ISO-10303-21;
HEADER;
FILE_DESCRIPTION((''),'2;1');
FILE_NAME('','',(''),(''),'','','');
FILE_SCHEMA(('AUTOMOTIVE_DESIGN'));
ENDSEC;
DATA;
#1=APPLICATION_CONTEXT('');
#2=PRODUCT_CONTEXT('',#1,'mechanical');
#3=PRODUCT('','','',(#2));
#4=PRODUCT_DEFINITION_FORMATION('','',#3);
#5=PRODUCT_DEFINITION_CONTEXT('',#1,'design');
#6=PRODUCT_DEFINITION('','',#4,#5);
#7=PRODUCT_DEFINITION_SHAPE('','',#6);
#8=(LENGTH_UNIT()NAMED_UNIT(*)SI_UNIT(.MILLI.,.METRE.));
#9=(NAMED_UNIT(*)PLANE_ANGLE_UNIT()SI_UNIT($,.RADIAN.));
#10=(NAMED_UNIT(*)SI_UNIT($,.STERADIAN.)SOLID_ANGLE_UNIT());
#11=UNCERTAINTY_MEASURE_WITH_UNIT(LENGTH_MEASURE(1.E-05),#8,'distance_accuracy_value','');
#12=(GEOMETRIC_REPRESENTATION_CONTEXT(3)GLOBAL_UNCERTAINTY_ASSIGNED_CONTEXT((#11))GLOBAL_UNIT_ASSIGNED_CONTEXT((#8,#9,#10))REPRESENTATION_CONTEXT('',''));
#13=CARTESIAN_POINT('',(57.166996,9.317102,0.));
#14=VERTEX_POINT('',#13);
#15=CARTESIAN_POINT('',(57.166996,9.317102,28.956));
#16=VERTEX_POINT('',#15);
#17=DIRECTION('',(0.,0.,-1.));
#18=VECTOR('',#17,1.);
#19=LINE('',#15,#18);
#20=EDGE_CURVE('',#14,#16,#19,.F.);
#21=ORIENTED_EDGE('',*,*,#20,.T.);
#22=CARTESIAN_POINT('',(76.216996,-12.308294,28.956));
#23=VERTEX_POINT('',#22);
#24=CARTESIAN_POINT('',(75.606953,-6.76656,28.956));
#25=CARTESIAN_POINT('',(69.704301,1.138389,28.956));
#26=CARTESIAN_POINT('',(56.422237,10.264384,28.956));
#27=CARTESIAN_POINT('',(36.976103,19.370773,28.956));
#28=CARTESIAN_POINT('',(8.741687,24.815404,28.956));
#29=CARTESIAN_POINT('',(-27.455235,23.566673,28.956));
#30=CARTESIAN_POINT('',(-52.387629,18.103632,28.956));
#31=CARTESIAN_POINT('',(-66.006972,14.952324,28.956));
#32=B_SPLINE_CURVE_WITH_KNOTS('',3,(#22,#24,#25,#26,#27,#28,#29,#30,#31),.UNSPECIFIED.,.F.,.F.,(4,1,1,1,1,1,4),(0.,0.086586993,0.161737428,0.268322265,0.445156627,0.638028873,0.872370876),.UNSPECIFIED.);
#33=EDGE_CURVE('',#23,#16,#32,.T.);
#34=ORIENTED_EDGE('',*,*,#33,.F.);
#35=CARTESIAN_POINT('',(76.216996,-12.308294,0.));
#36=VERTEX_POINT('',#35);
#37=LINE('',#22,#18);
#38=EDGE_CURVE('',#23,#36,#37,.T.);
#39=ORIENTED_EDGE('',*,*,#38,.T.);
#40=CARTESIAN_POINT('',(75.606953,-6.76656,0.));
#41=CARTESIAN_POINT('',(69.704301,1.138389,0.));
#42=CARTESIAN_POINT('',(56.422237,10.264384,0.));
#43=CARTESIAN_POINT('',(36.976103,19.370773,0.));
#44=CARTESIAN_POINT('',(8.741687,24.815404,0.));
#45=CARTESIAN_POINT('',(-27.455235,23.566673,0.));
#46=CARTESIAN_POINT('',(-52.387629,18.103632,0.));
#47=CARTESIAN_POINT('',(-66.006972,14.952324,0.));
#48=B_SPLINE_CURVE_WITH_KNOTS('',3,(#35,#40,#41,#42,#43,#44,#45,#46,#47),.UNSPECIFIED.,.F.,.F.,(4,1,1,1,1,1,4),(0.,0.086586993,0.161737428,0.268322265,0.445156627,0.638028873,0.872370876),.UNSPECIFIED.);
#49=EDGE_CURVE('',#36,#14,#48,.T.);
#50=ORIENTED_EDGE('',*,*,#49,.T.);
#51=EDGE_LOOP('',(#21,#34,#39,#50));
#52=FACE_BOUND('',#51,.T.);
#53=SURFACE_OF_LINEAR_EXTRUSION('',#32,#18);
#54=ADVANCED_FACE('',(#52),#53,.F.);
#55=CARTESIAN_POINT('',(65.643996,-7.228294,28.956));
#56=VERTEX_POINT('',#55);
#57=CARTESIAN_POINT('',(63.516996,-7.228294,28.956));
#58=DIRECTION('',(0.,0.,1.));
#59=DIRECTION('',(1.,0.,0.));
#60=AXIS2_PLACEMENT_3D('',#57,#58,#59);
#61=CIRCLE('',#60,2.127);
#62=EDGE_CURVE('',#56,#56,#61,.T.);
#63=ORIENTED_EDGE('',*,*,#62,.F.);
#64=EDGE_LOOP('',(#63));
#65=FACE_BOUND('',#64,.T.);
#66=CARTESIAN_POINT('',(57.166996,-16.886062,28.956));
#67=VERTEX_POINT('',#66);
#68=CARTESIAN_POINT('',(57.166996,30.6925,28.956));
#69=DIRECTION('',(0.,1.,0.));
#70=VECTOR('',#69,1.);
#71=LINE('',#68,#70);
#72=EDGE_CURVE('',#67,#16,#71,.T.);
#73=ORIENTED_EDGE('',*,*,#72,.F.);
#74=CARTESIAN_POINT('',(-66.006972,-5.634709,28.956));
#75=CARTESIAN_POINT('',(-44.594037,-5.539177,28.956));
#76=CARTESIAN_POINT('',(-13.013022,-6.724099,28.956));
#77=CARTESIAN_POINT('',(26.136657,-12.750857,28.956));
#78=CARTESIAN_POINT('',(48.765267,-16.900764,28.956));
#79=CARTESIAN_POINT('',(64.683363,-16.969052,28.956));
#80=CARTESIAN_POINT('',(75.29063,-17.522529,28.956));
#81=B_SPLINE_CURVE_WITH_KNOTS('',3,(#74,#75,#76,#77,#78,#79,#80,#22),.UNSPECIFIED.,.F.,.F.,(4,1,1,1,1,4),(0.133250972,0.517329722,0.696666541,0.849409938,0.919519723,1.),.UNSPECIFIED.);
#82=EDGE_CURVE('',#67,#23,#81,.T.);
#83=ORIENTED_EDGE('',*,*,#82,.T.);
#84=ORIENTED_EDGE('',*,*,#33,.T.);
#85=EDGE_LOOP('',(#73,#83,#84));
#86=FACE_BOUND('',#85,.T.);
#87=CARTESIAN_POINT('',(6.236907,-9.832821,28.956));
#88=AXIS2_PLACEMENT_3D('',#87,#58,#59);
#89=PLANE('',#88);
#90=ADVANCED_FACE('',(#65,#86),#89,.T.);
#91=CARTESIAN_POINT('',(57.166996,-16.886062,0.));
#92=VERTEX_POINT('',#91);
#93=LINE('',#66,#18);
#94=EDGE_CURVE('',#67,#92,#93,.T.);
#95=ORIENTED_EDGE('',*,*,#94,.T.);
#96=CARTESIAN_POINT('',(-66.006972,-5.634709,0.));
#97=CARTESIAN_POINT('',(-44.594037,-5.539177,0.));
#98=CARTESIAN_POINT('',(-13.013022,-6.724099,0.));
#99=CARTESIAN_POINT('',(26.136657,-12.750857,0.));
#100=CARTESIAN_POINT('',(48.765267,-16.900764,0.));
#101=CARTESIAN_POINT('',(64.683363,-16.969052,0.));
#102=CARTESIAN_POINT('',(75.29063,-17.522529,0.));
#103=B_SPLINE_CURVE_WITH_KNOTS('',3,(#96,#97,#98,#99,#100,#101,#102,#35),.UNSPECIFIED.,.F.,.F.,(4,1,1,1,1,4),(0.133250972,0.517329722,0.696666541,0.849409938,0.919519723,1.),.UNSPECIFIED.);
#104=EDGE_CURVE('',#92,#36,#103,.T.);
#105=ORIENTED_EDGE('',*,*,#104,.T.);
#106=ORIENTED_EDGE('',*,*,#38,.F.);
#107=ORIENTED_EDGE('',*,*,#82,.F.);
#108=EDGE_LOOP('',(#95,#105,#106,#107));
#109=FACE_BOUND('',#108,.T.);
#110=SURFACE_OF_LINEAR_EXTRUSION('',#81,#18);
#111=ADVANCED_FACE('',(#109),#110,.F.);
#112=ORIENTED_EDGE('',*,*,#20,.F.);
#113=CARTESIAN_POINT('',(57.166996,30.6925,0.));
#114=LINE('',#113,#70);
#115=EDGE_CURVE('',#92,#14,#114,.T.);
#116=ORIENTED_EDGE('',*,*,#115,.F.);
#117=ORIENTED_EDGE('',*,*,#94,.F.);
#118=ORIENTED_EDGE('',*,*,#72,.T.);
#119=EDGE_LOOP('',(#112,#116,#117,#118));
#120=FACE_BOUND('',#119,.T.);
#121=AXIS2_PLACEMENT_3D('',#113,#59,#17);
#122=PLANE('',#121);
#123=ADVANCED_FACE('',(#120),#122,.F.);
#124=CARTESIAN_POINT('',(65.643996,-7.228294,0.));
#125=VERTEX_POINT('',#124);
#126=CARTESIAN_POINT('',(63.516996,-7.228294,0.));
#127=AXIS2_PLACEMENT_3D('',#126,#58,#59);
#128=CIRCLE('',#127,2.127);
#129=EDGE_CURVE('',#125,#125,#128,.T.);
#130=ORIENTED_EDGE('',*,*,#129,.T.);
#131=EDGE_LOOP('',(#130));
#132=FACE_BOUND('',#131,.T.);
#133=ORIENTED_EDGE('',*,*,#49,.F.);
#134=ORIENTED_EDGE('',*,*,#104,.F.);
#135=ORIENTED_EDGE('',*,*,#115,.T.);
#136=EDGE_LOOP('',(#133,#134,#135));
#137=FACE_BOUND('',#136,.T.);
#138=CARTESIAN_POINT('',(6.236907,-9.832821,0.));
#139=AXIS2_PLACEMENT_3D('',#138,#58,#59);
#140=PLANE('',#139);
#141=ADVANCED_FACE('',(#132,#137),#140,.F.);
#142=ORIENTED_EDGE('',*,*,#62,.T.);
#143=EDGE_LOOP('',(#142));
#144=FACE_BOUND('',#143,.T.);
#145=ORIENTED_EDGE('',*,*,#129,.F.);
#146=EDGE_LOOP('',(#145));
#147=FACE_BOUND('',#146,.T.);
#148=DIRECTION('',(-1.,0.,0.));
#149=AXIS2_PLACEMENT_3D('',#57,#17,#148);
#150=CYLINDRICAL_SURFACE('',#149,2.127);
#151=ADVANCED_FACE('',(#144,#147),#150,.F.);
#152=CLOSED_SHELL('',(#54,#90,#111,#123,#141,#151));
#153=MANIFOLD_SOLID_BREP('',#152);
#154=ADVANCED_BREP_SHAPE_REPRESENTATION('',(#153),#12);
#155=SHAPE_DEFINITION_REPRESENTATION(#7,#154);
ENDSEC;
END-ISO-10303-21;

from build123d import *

# Parameters (mm, degrees)
SKETCH1_R           = 2.127
BOSS_EXTRUDE1_DEPTH = 28.956
SKETCH2_W           = 134.292636257
SKETCH2_H           = 53.36276468
CUT_EXTRUDE1_DEPTH  = 28.956


with BuildPart() as part:
    # Sketch1 → Boss-Extrude1 (new body)
    with BuildSketch(Plane.XY):
        with BuildLine():
            Line((-66.006971629, 14.952323969), (-66.006971629, -5.634708623))
            add(Edge.make_bspline(
                [(-66.006971629, -5.634708623), (-44.594037188, -5.53917688), (-13.013022308, -6.724098502), (26.136656569, -12.750856754), (48.765267423, -16.900764204), (64.683362663, -16.969052393), (75.290630493, -17.522529218), (76.216996263, -12.308293591)],
                knots=[0.133250972, 0.133250972, 0.133250972, 0.133250972, 0.517329722, 0.696666541, 0.849409938, 0.919519723, 1, 1, 1, 1], degree=3))
            add(Edge.make_bspline(
                [(76.216996263, -12.308293591), (75.606952539, -6.766559658), (69.704300689, 1.138389205), (56.422236631, 10.264383598), (36.976103105, 19.370772836), (8.741687209, 24.815403957), (-27.455234983, 23.566672909), (-52.387628688, 18.103631651), (-66.006971629, 14.952323969)],
                knots=[0, 0, 0, 0, 0.086586993, 0.161737428, 0.268322265, 0.445156627, 0.638028873, 0.872370876, 0.872370876, 0.872370876, 0.872370876], degree=3))
        make_face()
        with Locations((63.516996263, -7.228293591)):
            Circle(SKETCH1_R, mode=Mode.SUBTRACT)
        with Locations((-25.383003737, 13.091706409)):
            Circle(SKETCH1_R, mode=Mode.SUBTRACT)
    extrude(amount=BOSS_EXTRUDE1_DEPTH)

    # Sketch2 → Cut-Extrude1 (cut)
    with BuildSketch(Plane.XY.offset(28.956)):
        with Locations((-9.979321866, 4.011118028)):
            Rectangle(SKETCH2_W, SKETCH2_H)
    extrude(amount=-CUT_EXTRUDE1_DEPTH, mode=Mode.SUBTRACT)


solid = part.part
